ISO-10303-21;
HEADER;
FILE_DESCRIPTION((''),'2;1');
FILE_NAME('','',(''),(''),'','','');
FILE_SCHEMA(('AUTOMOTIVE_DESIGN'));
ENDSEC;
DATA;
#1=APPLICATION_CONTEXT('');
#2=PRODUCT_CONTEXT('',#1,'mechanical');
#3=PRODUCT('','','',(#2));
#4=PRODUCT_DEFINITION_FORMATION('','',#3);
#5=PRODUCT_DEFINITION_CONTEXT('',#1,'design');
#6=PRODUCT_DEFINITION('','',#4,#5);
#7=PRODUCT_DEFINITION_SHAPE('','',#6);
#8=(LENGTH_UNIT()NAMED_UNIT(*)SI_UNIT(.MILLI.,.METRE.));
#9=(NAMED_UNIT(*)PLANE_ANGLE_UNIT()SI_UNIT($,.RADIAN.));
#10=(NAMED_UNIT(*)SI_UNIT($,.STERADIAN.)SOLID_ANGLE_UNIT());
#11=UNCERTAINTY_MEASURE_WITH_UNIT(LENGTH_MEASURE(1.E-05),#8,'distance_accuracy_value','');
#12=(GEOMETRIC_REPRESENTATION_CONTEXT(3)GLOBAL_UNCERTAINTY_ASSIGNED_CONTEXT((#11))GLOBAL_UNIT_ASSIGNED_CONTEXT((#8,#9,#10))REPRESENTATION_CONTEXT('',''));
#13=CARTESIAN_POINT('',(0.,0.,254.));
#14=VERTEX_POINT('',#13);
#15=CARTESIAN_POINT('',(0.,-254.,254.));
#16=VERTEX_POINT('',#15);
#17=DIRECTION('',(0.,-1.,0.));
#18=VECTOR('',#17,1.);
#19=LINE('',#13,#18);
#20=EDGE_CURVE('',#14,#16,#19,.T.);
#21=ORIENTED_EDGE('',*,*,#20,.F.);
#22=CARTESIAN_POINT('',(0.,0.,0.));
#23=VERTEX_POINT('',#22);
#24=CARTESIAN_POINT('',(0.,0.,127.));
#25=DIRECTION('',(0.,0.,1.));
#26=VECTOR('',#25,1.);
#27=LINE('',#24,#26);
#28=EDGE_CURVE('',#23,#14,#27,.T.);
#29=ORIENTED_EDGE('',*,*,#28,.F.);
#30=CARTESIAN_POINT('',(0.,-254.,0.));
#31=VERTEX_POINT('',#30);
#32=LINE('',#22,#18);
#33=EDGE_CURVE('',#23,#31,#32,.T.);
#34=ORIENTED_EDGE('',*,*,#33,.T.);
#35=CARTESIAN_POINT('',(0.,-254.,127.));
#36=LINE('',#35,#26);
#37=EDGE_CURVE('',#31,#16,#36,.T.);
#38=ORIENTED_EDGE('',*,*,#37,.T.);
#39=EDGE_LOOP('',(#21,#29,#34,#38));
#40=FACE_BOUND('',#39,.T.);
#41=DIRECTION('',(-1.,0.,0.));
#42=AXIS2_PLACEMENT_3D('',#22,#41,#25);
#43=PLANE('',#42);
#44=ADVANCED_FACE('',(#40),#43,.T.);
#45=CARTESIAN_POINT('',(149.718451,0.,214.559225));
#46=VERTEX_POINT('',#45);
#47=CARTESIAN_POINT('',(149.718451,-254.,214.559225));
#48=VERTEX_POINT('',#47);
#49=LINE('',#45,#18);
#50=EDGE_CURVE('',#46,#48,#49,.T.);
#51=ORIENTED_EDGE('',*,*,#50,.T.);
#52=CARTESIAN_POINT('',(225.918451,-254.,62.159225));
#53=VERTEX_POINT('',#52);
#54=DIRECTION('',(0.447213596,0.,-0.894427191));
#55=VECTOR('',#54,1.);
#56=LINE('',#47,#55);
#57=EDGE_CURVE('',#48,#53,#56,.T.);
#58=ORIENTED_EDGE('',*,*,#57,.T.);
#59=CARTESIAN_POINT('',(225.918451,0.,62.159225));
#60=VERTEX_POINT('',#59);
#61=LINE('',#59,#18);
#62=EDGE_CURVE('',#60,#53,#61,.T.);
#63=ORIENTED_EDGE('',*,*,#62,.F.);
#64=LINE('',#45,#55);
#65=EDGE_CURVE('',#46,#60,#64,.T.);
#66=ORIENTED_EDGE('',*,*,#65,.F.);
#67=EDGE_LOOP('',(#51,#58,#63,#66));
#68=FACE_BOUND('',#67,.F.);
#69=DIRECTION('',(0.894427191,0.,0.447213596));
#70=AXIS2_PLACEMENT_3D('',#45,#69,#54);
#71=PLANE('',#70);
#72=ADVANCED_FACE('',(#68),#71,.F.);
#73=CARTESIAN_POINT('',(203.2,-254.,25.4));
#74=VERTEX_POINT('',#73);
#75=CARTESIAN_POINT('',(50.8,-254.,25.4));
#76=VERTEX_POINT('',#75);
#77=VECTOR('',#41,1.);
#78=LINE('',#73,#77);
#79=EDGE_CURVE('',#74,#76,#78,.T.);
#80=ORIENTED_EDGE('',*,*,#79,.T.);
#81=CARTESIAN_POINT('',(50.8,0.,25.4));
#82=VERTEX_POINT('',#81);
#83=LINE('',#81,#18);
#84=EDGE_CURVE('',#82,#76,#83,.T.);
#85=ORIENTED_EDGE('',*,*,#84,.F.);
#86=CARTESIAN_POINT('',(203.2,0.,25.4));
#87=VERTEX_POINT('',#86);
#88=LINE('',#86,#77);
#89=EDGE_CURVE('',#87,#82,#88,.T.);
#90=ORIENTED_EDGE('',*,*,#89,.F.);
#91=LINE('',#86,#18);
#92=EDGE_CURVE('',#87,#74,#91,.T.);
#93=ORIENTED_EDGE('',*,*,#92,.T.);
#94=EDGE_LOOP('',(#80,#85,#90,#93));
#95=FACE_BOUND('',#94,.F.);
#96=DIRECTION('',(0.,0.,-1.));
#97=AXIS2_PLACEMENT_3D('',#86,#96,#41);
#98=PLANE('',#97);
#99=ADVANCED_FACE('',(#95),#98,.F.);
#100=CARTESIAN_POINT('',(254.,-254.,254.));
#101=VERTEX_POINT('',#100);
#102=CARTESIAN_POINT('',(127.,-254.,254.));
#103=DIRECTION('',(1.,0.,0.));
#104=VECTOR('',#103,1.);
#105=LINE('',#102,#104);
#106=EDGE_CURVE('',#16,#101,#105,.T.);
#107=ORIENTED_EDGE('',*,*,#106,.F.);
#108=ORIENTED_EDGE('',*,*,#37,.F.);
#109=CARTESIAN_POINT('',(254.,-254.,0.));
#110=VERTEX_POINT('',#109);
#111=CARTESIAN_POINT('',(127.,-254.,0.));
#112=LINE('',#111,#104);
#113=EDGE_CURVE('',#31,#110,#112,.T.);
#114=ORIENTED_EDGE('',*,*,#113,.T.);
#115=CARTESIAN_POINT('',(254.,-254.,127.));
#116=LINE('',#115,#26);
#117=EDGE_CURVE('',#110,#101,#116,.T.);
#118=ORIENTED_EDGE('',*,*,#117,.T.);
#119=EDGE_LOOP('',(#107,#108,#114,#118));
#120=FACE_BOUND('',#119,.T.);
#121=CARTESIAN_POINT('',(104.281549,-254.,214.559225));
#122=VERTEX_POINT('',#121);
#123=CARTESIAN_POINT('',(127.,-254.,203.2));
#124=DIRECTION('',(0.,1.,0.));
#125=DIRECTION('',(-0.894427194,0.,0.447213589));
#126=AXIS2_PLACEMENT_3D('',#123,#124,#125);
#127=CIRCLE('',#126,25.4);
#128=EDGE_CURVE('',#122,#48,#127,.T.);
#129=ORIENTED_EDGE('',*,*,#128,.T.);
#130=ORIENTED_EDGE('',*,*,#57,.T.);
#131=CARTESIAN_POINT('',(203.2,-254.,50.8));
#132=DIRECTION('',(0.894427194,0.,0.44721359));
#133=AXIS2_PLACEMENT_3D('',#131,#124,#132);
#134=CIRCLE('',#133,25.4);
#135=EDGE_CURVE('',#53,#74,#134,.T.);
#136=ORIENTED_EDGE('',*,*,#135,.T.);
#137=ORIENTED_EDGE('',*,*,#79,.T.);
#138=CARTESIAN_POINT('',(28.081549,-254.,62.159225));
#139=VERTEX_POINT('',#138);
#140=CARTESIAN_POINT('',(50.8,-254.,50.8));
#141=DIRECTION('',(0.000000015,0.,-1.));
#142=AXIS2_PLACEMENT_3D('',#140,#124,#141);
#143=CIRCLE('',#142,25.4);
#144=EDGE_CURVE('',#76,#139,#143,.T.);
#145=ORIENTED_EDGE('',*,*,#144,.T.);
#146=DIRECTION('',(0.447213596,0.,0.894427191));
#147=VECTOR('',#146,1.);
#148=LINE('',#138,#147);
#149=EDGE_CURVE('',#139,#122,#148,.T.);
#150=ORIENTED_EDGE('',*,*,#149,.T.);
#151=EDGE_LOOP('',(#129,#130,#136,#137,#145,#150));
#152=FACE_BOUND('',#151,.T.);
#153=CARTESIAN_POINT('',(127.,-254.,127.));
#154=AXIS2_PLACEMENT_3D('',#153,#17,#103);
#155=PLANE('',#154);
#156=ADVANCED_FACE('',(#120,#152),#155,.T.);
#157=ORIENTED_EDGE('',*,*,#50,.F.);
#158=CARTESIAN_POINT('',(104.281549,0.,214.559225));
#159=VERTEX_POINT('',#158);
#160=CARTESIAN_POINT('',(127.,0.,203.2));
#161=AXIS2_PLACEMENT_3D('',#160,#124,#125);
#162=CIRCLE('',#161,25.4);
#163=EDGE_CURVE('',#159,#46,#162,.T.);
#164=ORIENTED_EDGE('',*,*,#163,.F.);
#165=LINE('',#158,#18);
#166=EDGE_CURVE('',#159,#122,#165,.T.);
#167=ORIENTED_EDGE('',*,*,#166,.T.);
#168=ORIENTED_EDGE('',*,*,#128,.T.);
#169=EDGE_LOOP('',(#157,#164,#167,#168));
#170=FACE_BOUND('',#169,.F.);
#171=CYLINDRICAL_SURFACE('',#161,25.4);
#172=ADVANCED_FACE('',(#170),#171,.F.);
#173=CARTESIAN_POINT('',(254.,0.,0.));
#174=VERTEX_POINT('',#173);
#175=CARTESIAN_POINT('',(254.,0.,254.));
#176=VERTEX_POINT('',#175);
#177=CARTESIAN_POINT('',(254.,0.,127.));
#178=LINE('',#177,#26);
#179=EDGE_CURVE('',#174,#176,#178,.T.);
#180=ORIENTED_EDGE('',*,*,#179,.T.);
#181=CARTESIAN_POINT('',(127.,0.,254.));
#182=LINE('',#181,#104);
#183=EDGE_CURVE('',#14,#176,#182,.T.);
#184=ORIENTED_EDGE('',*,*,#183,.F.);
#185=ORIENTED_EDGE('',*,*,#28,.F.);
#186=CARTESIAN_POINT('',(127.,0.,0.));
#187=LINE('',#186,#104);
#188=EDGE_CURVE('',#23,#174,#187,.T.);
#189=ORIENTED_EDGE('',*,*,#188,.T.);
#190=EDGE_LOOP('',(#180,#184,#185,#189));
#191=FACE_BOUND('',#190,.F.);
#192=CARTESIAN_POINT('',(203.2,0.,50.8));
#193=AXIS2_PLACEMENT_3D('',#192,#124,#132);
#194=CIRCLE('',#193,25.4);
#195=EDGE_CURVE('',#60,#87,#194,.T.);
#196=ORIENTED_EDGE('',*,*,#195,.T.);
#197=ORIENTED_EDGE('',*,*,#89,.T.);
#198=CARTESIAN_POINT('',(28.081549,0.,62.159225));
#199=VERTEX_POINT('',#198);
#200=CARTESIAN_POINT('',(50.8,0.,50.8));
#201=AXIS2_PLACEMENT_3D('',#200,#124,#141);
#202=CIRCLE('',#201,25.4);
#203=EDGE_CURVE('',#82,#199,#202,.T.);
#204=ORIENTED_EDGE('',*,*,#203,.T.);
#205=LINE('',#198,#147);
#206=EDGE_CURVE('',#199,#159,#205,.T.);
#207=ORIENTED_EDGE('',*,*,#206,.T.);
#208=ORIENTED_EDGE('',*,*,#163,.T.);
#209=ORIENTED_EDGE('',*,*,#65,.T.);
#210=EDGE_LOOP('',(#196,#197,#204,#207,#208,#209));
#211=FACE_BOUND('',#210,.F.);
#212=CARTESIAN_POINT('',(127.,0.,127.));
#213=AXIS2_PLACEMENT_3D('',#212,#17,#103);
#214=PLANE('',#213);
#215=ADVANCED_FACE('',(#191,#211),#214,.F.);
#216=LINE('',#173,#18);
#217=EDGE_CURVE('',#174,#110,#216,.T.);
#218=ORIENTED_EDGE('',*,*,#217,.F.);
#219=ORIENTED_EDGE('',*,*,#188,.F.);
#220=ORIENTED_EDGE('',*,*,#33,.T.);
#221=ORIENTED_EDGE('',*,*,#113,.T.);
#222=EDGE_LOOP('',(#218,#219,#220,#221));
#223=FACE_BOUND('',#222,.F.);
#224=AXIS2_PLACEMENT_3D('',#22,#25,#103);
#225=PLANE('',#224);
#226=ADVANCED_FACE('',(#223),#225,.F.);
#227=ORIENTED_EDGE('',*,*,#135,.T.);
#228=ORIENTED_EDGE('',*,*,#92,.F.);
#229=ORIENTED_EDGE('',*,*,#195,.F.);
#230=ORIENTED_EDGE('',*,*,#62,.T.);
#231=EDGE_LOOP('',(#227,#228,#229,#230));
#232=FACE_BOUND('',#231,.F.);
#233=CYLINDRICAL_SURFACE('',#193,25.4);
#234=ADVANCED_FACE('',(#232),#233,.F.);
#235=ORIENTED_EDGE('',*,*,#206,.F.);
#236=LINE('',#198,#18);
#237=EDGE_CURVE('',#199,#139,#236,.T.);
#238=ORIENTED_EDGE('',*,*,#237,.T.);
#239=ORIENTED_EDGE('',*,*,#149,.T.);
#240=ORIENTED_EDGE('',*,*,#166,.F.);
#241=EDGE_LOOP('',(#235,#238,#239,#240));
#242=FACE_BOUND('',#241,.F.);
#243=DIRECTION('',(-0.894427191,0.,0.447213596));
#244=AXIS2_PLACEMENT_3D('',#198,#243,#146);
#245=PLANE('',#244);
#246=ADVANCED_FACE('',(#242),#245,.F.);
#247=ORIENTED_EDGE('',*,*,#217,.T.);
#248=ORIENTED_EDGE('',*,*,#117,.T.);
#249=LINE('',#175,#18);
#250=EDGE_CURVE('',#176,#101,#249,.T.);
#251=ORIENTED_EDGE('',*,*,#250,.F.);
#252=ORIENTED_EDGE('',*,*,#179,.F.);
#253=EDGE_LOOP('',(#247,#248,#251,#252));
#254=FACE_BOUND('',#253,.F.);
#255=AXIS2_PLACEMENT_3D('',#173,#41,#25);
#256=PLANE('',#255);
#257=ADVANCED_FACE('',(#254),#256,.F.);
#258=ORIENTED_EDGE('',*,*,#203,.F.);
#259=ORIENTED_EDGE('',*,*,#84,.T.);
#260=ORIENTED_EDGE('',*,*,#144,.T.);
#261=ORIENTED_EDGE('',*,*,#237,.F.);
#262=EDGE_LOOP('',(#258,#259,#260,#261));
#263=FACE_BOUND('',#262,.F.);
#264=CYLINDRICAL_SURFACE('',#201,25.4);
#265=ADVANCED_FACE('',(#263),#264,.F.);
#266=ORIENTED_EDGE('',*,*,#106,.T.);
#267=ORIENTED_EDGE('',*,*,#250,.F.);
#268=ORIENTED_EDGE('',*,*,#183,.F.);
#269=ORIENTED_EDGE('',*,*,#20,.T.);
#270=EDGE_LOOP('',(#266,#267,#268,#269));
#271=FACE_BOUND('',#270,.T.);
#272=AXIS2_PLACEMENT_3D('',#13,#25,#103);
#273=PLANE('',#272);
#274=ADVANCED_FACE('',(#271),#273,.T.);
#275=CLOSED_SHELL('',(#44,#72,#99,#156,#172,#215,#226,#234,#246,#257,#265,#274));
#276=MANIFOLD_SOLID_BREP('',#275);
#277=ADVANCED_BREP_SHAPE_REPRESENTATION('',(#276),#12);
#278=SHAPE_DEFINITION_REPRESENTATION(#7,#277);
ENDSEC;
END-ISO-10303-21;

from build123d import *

# Parameters (mm, degrees)
F0_W     = 254
F0_H     = 254
F1_DEPTH = 254


with BuildPart() as f1:
    # F0 (on Front) → F1 (new body)
    with BuildSketch(Plane.XZ):
        with Locations((127, 127)):
            Rectangle(F0_W, F0_H)
        with BuildLine():
            ThreePointArc((50.8, 25.4), (29.193469, 37.44643), (28.081549, 62.159225))
            Line((28.081549, 62.159225), (104.281549, 214.559225))
            ThreePointArc((104.281549, 214.559225), (127, 228.6), (149.718451, 214.559225))
            Line((149.718451, 214.559225), (225.918451, 62.159225))
            ThreePointArc((225.918451, 62.159225), (224.806531, 37.44643), (203.2, 25.4))
            Line((203.2, 25.4), (50.8, 25.4))
        make_face(mode=Mode.SUBTRACT)
    extrude(amount=F1_DEPTH)


solid = f1.part
